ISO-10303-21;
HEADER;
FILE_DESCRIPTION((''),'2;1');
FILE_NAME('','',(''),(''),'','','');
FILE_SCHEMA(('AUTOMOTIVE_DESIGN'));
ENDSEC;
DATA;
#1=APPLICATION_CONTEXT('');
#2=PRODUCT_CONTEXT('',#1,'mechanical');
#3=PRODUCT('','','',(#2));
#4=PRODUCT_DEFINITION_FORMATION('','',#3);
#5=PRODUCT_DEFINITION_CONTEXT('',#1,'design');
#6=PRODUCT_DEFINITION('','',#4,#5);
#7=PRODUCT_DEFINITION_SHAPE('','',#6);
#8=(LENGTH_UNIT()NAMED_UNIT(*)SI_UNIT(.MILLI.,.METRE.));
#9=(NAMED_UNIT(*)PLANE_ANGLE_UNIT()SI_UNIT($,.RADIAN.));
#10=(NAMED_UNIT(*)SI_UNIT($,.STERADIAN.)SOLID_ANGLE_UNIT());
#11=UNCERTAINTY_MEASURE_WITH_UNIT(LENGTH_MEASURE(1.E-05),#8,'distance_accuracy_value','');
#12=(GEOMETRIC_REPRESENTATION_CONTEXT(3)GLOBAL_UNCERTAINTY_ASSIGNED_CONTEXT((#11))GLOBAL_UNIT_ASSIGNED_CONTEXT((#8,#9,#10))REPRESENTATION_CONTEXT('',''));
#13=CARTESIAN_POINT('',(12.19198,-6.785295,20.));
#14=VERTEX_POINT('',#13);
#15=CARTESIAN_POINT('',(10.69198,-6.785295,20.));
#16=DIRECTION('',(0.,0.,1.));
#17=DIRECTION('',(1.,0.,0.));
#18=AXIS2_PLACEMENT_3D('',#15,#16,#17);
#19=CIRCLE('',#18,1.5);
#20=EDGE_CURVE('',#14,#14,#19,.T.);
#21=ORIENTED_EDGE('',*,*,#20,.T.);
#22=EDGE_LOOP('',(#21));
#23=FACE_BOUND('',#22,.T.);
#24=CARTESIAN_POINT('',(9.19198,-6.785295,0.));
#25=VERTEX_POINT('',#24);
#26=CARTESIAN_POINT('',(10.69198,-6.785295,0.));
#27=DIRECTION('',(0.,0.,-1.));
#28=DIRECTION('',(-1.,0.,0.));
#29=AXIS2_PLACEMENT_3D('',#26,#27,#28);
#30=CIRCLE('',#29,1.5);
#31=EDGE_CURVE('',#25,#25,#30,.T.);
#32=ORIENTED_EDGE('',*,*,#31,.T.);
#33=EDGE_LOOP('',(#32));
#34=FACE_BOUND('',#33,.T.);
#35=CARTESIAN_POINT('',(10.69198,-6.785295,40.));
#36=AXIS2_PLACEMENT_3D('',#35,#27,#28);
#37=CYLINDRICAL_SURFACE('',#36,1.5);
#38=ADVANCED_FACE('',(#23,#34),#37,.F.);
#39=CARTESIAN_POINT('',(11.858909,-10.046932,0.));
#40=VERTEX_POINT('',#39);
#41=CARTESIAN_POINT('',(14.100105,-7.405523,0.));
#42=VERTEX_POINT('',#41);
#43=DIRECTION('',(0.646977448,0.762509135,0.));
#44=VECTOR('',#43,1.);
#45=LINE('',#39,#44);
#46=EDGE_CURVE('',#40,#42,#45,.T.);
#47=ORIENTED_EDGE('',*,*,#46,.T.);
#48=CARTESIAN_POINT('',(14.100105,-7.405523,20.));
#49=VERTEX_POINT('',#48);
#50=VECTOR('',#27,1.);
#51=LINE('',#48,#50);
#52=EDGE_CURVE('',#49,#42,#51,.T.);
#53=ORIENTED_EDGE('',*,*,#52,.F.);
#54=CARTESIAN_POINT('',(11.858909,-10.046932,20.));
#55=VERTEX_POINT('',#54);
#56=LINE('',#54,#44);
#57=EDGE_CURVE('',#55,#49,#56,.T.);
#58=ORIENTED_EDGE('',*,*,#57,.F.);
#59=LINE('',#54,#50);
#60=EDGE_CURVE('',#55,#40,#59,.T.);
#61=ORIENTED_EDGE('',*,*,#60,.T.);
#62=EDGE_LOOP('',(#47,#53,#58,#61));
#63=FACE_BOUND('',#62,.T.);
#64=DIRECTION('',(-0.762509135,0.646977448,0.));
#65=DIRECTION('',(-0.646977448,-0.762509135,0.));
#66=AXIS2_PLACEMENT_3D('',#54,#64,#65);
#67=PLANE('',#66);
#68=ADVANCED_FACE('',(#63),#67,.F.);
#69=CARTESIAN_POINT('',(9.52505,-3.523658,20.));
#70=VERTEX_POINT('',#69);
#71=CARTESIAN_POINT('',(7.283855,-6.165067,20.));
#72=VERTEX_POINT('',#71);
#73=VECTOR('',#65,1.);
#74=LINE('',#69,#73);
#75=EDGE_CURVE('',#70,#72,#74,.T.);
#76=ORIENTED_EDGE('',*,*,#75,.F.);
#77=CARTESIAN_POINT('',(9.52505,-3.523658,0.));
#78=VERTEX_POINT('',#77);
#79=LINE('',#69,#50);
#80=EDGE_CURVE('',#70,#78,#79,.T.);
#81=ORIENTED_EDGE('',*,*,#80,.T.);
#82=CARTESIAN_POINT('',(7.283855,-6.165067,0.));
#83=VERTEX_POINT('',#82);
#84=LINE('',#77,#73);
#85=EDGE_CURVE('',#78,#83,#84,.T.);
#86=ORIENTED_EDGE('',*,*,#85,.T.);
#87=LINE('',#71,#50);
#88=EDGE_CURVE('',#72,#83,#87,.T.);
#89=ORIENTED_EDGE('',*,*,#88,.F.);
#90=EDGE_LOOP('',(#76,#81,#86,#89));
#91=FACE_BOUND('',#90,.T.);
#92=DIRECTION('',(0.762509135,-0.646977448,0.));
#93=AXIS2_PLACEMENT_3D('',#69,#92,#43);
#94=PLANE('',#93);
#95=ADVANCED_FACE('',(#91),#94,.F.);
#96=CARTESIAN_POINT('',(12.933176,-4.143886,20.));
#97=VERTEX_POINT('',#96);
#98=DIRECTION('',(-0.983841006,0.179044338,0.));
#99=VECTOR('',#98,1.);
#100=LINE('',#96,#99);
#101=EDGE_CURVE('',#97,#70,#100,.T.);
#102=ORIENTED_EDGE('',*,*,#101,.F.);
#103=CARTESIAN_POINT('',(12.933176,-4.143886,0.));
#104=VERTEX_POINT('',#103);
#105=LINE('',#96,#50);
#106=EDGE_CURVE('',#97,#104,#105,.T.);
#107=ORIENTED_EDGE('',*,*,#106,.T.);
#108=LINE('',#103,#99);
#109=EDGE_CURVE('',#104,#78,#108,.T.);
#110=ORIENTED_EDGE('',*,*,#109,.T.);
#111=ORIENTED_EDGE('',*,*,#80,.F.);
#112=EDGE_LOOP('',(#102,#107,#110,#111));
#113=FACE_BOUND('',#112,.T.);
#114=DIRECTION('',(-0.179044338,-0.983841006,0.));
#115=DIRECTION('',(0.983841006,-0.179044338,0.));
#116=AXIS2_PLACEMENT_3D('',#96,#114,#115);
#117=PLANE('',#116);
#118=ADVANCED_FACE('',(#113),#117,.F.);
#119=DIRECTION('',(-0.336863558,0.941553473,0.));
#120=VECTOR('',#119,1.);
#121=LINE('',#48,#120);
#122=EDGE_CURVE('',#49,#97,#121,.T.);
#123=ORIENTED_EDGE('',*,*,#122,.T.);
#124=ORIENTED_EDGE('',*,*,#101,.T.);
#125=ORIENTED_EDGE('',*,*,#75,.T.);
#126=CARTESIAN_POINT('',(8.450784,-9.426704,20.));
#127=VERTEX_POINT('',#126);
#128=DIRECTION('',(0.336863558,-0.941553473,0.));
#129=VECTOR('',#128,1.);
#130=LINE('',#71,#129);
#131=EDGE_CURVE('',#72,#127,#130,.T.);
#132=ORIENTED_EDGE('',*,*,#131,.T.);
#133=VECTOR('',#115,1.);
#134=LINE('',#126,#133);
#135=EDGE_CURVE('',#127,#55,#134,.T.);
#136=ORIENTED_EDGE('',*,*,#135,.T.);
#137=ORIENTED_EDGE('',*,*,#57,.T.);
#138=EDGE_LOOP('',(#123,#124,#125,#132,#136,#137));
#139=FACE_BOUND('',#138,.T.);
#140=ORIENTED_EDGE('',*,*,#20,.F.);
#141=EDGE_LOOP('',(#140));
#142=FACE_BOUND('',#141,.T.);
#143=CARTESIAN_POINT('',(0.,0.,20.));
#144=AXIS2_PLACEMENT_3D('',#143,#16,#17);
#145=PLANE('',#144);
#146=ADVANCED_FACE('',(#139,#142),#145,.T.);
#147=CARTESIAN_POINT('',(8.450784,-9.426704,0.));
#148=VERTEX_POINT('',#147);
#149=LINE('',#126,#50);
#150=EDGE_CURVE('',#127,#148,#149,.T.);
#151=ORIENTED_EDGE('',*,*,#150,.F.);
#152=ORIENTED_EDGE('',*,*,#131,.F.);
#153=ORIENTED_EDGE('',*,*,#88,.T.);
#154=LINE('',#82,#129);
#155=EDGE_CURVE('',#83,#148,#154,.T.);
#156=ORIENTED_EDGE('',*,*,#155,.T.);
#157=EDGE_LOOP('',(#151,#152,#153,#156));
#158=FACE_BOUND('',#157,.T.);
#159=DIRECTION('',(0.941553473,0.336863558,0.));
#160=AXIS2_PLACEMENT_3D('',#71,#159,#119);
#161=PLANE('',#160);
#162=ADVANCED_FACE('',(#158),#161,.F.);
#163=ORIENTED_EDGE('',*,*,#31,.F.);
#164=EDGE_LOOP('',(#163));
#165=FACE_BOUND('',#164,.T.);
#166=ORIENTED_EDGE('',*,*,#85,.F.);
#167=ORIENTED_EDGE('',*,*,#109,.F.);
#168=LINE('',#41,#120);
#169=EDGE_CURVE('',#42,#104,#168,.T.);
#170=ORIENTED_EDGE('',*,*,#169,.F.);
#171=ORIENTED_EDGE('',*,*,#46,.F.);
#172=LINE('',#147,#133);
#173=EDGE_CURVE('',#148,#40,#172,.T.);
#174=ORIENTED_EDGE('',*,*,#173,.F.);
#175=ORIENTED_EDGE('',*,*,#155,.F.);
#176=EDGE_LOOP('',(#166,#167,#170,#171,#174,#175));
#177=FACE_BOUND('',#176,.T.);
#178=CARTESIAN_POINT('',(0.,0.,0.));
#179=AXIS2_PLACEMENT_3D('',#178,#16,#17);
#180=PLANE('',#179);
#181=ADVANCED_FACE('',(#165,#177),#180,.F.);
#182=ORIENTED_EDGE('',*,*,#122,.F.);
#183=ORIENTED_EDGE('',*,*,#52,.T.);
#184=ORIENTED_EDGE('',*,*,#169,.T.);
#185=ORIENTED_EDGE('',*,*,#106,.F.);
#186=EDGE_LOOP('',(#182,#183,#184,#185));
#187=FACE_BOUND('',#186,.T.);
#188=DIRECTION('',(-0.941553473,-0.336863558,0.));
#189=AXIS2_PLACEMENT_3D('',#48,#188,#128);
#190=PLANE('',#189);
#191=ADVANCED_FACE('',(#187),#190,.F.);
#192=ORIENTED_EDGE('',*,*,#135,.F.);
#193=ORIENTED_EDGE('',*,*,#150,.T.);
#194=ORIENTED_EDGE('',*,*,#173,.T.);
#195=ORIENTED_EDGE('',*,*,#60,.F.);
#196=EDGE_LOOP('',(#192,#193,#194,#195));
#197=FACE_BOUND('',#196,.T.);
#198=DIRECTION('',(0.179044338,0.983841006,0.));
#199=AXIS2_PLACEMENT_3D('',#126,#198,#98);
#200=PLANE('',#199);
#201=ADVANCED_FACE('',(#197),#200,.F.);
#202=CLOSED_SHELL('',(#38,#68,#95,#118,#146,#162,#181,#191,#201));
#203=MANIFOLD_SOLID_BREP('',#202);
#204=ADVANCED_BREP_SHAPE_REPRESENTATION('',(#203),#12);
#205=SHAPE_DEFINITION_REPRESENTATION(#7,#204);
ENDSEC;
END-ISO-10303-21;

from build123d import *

# Parameters (mm, degrees)
RESSALTO_EXTRUS_O1_DEPTH = 20
ESBO_O4_R                = 1.5
CORTE_EXTRUS_O2_DEPTH    = 40


with BuildPart() as part:
    # Esboço1 → Ressalto-extrusão1 (new body)
    with BuildSketch(Plane.XY):
        Polygon((12.933175524, -4.143885809), (9.525050306, -3.523658029), (7.283854683, -6.165067156), (8.450784277, -9.426704064), (11.858909495, -10.046931845), (14.100105118, -7.405522718), align=None)
    extrude(amount=RESSALTO_EXTRUS_O1_DEPTH)

    # Esboço4 → Corte-extrusão2 (cut)
    with BuildSketch(Plane(origin=(0, 0, 0), x_dir=(-1, 0, 0), z_dir=(0, 0, -1))):
        with Locations((-10.691979901, -6.785294937)):
            Circle(ESBO_O4_R)
    extrude(amount=-CORTE_EXTRUS_O2_DEPTH, mode=Mode.SUBTRACT)


solid = part.part
